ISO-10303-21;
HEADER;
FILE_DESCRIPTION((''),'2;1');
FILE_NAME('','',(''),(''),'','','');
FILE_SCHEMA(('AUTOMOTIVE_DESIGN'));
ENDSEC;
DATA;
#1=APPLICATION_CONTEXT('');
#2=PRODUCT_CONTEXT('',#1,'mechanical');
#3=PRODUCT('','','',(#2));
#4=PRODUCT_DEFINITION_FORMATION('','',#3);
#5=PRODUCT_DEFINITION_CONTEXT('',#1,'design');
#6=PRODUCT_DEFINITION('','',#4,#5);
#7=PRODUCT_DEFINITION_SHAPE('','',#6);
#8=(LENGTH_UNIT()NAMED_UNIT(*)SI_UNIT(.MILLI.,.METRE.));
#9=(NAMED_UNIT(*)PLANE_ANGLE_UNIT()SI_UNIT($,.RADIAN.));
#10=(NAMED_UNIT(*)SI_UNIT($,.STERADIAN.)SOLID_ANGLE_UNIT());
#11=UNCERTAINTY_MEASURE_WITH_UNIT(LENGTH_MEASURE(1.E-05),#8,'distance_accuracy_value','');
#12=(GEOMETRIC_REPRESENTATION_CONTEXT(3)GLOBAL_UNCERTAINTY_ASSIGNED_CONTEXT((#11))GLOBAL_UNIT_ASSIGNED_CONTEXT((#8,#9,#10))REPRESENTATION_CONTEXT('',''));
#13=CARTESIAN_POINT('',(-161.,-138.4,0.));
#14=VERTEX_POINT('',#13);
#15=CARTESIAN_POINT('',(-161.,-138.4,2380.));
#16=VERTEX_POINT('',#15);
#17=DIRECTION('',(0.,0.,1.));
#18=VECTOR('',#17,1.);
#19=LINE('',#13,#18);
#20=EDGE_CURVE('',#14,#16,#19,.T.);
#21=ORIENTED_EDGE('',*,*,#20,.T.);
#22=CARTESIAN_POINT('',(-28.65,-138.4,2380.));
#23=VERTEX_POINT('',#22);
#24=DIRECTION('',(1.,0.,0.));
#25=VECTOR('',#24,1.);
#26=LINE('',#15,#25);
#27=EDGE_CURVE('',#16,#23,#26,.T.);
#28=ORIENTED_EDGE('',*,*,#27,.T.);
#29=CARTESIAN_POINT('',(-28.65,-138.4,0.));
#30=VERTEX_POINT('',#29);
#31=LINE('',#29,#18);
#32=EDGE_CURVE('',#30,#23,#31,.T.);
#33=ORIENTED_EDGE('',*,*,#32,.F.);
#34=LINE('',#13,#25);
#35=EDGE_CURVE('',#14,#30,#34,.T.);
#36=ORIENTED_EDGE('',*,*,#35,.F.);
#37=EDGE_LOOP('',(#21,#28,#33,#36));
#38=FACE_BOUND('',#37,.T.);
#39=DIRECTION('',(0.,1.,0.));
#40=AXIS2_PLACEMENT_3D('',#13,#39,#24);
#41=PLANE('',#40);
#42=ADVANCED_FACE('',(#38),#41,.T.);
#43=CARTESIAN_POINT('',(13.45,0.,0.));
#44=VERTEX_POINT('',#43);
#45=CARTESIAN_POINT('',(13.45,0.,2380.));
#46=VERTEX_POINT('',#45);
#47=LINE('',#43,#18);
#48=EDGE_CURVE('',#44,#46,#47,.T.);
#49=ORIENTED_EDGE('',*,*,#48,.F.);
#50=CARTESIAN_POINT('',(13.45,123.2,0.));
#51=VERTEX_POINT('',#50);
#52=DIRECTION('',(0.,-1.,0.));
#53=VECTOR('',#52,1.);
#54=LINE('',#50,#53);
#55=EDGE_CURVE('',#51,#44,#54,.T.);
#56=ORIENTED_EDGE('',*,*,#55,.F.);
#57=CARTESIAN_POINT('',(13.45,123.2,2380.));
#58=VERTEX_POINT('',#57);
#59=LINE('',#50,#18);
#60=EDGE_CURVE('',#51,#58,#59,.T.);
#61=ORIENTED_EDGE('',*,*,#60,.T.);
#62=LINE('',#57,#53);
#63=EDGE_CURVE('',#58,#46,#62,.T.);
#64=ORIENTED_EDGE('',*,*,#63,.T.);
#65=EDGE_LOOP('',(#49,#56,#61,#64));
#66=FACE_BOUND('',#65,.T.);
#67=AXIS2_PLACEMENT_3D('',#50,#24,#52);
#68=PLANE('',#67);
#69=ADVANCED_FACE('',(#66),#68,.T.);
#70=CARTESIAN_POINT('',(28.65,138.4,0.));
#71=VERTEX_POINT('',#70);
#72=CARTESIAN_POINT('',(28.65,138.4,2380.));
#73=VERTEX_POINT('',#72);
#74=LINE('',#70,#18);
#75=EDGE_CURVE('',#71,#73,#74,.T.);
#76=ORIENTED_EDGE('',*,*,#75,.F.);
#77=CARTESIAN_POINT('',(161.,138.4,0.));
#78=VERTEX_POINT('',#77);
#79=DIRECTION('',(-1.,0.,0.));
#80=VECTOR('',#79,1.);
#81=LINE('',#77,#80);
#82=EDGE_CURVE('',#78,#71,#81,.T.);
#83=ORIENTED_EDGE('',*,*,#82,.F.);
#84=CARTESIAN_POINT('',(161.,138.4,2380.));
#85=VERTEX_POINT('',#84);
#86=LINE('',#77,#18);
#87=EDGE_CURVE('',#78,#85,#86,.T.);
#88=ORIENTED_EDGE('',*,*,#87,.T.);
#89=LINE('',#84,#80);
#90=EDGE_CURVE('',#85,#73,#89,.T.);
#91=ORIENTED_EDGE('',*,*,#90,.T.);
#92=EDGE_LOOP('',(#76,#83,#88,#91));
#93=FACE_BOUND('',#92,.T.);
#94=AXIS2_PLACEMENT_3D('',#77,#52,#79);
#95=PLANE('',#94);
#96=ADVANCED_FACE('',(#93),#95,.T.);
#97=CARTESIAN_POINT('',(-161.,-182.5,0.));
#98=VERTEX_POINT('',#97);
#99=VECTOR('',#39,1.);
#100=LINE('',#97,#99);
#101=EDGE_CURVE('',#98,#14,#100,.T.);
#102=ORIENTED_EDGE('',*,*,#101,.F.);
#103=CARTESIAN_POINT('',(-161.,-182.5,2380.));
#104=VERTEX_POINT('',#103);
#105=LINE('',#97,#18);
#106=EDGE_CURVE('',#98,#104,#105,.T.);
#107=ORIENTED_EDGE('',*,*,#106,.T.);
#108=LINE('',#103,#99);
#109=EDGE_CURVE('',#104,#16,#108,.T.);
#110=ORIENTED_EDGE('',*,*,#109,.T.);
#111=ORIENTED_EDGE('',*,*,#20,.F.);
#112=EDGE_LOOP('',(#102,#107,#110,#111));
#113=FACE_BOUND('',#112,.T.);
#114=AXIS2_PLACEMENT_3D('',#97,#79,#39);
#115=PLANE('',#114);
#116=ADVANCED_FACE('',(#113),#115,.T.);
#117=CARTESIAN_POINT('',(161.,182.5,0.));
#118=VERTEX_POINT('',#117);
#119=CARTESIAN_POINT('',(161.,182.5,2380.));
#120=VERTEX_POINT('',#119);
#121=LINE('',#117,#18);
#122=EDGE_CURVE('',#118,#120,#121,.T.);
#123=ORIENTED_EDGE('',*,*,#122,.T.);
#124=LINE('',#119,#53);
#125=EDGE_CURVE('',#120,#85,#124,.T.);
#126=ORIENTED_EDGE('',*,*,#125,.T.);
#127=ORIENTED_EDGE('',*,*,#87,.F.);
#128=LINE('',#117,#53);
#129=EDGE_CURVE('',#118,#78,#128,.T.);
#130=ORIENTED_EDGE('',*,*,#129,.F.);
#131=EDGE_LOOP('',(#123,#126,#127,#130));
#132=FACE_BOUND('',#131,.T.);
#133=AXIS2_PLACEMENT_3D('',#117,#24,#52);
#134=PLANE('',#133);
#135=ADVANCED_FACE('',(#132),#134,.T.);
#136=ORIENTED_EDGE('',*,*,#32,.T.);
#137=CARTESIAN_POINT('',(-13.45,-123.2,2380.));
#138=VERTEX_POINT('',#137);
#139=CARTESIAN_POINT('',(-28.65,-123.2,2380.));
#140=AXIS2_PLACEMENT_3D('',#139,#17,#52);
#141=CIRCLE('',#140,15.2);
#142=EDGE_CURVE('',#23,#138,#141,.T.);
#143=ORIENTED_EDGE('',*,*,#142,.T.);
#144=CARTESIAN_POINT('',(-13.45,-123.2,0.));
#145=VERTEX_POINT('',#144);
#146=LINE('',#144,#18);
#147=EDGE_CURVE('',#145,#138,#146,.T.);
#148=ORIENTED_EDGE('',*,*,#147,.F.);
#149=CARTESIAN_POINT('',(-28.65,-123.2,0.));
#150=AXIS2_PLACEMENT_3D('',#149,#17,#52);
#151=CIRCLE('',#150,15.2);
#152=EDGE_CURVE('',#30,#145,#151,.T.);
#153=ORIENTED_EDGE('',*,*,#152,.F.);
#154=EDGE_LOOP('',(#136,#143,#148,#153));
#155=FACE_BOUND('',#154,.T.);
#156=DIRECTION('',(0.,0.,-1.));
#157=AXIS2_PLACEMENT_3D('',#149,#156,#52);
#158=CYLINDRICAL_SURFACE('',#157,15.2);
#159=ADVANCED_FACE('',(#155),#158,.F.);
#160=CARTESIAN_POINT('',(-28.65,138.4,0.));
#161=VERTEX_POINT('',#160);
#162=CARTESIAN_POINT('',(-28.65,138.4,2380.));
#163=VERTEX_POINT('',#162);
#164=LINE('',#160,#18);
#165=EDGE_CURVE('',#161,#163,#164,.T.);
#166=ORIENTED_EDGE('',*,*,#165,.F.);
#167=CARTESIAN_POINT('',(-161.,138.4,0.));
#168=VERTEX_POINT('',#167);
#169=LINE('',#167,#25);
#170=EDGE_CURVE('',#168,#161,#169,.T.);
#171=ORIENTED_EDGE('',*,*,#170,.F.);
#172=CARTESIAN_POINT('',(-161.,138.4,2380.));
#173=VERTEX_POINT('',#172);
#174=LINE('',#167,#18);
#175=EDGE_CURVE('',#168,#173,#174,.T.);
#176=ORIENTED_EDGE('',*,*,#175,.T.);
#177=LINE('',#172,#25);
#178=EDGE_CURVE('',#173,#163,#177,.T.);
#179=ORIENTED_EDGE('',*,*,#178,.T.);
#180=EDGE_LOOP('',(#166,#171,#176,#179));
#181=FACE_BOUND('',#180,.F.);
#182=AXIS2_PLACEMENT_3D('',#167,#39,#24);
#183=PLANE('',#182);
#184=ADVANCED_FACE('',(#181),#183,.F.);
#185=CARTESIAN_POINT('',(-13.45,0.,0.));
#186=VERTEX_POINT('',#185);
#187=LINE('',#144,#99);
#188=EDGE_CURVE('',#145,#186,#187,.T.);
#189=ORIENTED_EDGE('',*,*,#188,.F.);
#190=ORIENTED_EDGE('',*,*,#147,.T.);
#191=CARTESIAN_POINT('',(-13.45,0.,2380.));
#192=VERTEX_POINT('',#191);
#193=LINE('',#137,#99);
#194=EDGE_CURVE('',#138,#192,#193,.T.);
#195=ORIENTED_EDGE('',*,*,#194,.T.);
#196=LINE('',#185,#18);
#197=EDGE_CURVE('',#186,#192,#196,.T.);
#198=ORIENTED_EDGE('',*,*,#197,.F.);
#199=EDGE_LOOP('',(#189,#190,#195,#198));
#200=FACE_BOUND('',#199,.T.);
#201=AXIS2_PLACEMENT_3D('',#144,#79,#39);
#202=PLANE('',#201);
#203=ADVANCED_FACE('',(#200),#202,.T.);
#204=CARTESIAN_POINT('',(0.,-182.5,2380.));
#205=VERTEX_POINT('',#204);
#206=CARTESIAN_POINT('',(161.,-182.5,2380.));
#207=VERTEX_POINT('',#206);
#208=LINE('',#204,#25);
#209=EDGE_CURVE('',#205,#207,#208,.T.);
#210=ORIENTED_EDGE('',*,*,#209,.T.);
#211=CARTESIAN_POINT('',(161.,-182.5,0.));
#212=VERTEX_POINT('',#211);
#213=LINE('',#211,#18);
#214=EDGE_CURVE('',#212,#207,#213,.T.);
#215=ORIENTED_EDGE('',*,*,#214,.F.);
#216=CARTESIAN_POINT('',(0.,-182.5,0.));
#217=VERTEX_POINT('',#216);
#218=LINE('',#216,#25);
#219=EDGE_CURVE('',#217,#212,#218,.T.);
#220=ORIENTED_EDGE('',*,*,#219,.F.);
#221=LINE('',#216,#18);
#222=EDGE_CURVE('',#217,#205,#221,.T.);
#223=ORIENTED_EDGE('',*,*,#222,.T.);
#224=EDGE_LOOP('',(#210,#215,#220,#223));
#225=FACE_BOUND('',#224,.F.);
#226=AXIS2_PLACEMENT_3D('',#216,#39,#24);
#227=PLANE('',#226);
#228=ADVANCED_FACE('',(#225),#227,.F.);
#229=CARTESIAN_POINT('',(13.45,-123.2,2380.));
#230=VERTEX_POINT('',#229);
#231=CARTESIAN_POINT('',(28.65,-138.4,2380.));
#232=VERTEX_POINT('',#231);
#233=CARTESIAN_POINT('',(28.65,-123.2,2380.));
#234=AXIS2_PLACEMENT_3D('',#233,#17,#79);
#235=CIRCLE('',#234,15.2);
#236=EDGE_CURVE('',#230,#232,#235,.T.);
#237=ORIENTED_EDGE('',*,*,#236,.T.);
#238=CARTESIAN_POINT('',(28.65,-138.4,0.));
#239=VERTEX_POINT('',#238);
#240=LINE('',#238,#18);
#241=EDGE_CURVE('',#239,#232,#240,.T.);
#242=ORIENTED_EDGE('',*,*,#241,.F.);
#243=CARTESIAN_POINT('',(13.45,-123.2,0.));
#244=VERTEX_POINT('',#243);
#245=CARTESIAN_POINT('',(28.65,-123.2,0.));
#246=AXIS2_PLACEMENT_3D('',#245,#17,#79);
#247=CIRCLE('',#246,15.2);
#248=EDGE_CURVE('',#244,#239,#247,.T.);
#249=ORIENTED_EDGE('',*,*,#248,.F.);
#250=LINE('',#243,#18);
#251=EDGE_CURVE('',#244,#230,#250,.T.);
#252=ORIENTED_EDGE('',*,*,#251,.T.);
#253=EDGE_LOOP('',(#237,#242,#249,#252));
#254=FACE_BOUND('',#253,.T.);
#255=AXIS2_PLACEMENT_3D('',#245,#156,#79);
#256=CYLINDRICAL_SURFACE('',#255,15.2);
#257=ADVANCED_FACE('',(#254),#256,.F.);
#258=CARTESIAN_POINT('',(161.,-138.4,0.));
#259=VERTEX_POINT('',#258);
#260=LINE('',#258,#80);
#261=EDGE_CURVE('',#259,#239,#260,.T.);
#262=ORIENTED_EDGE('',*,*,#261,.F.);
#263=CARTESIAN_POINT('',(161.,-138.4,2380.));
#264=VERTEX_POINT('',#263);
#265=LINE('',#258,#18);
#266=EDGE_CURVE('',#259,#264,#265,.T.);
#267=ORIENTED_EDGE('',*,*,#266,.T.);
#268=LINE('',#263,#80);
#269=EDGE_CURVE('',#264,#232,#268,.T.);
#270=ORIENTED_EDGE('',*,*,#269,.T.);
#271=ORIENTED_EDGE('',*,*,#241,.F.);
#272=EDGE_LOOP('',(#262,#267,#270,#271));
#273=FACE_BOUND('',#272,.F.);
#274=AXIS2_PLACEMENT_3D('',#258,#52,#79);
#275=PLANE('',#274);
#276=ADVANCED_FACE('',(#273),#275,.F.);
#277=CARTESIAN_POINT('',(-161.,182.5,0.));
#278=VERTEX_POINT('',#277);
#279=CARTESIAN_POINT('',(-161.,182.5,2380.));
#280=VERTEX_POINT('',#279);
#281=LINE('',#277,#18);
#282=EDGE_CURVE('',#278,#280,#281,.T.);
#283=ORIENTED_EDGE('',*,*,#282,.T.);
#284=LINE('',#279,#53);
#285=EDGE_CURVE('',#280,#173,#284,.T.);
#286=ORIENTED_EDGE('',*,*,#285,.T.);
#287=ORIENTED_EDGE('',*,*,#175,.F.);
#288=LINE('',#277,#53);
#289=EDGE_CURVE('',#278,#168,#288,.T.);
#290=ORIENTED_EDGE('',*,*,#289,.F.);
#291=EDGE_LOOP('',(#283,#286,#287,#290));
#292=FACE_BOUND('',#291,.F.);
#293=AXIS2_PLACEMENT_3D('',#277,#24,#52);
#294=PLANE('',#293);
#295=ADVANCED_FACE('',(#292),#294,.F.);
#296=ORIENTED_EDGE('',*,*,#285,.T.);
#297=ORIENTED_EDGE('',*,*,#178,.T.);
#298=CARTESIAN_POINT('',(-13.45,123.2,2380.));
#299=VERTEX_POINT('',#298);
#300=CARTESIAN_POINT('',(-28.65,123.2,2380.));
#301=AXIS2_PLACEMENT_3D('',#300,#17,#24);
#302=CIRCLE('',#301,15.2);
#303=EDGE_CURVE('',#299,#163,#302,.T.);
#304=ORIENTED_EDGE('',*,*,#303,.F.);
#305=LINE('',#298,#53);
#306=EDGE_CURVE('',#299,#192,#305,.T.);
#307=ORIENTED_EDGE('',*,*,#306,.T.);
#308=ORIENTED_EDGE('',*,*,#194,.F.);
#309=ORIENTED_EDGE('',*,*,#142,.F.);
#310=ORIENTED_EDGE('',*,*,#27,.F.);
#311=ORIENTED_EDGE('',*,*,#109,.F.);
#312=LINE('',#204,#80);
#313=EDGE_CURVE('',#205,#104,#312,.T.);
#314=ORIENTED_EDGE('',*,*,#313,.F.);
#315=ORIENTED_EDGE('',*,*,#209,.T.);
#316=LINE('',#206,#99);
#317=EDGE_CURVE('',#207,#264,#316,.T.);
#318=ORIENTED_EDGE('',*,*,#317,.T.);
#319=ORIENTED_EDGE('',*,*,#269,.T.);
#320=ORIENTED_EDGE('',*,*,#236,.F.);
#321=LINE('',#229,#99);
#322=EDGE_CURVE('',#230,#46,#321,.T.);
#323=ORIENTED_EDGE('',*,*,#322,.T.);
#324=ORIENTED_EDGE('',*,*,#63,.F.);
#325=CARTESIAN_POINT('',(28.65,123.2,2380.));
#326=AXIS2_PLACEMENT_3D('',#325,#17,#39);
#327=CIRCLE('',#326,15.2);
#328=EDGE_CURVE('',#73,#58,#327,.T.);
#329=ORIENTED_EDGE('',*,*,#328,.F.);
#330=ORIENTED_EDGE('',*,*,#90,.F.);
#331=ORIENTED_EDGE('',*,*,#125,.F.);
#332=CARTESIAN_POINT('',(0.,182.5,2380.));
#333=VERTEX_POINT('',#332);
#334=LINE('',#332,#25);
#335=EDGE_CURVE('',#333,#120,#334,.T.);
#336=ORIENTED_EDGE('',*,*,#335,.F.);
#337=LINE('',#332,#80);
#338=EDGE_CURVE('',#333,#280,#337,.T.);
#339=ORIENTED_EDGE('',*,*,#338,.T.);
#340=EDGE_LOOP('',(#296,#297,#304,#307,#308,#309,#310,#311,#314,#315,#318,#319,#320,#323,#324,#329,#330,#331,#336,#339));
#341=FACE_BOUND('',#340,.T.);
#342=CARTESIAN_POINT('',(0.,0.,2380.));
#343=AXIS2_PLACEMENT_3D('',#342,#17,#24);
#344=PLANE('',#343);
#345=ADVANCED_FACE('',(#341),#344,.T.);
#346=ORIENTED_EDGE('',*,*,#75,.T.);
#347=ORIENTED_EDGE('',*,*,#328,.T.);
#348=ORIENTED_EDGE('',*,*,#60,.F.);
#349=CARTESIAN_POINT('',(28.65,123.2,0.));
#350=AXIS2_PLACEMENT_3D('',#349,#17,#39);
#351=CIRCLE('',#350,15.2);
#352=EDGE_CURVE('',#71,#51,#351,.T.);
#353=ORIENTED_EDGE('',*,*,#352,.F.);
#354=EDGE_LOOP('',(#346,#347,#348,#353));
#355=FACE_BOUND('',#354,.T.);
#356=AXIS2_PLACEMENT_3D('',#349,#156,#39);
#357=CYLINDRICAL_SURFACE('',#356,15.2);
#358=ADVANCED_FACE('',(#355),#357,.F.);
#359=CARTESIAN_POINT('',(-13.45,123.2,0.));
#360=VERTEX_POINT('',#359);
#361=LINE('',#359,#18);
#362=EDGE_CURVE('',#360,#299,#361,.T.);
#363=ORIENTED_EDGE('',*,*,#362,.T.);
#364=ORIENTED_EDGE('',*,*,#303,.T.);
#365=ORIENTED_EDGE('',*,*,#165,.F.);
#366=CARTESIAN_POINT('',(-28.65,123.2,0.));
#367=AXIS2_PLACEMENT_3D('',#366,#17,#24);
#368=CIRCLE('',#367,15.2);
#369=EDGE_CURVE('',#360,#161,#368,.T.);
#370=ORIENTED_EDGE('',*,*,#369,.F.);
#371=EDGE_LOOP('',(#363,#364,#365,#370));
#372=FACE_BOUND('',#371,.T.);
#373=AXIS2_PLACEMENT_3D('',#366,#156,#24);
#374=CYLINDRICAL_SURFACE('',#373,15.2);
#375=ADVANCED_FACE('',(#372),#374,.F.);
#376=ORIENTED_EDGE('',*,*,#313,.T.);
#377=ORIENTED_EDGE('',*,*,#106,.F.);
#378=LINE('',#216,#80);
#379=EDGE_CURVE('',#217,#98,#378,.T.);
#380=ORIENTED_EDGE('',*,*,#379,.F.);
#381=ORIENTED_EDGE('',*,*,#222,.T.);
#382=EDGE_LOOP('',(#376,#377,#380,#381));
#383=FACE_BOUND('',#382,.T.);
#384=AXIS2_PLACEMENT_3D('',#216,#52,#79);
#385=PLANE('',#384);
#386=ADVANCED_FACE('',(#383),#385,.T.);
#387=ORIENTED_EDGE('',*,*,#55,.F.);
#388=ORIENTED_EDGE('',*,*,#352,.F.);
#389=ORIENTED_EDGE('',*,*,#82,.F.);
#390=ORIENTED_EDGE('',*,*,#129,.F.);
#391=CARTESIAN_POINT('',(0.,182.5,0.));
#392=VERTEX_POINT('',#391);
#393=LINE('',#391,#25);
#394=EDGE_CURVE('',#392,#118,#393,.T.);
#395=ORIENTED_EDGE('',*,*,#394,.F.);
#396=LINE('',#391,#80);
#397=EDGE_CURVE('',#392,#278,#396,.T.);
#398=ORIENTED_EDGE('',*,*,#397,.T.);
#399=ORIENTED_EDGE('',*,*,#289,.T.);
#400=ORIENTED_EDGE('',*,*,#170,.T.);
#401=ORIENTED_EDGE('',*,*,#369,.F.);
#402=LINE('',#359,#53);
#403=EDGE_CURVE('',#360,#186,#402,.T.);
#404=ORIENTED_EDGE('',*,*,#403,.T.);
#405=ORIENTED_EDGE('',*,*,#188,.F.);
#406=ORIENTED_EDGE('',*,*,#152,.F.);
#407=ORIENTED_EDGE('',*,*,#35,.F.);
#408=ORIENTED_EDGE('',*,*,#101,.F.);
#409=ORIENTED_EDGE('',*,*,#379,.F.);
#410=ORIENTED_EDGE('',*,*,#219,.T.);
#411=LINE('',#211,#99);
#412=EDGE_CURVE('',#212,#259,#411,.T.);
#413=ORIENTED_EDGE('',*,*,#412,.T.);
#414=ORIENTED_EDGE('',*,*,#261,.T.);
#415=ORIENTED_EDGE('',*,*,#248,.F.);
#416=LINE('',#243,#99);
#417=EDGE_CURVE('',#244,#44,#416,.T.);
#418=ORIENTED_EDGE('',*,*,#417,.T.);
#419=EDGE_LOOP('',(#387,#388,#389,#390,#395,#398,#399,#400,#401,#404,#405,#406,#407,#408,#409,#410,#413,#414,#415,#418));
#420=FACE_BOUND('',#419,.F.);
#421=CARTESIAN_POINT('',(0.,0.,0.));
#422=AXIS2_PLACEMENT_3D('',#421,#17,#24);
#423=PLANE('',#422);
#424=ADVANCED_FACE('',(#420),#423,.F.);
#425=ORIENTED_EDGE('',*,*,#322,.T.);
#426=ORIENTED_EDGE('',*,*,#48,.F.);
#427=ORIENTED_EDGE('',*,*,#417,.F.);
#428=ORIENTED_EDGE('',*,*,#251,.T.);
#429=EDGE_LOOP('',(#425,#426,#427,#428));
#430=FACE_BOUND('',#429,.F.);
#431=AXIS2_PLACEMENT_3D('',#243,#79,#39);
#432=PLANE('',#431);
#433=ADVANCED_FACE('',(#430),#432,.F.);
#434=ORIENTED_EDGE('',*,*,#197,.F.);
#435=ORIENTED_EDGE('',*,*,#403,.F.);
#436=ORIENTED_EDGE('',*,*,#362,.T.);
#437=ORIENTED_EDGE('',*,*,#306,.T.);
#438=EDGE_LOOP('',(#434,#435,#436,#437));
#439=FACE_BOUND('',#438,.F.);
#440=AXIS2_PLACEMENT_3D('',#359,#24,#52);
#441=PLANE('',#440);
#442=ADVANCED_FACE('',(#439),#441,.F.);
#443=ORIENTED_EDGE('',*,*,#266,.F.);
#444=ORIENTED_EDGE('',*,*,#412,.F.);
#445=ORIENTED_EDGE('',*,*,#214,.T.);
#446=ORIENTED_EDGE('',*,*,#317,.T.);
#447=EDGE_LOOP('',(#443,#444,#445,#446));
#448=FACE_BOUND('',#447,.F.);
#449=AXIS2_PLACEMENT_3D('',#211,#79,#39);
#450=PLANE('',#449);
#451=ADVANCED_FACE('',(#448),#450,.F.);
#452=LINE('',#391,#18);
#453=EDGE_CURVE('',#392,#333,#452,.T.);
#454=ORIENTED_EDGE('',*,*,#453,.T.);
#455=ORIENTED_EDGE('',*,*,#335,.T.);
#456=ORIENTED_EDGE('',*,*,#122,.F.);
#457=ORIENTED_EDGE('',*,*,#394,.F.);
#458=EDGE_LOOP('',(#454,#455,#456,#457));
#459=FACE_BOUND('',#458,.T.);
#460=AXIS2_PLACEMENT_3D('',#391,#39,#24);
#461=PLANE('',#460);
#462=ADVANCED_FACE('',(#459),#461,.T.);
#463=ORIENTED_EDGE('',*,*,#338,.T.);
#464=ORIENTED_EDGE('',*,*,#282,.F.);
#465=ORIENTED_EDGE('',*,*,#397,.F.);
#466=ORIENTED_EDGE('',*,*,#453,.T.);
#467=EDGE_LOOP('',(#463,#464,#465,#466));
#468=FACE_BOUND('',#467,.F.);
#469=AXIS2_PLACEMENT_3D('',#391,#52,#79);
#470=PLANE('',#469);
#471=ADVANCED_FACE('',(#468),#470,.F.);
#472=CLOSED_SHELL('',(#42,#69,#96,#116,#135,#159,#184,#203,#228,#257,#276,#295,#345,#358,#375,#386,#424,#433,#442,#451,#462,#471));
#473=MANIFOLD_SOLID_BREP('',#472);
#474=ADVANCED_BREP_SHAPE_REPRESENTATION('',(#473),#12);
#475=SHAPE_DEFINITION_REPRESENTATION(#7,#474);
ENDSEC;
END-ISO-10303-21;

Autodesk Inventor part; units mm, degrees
ref_plane "YZ Plane" through (0, 0, 0) normal (1, 0, 0) x (0, 1, 0)
ref_plane "Start plane" through (0, 0, 0) normal (0, 0, 1) x (1, 0, 0)
ref_plane "End plane" through (0, 0, 2380) normal (0, 0, 1) x (1, 0, 0)
sketch "Sketch" plane through (0, 0, 0) normal (0, 0, 1) x (1, 0, 0)
  line L0 (-161, -182.5) -> (-161, -138.4)
  line L1 (-161, -138.4) -> (-28.65, -138.4)
  line L2 (-13.45, -123.2) -> (-13.45, 0)
  line L3 (-13.45, 0) -> (0, 0) construction
  line L4 (0, 0) -> (0, -182.5) construction
  line L5 (0, -182.5) -> (-161, -182.5)
  line L6 (-60, 0) -> (80, 0) construction
  line L7 (0, -60) -> (0, 80) construction
  line L8 (161, -182.5) -> (161, -138.4)
  line L9 (161, -138.4) -> (28.65, -138.4)
  line L10 (13.45, -123.2) -> (13.45, 0)
  line L11 (13.45, 0) -> (0, 0) construction
  line L12 (0, -182.5) -> (161, -182.5)
  line L13 (-161, 182.5) -> (-161, 138.4)
  line L14 (-161, 138.4) -> (-28.65, 138.4)
  line L15 (-13.45, 123.2) -> (-13.45, 0)
  line L16 (0, 182.5) -> (-161, 182.5)
  line L17 (161, 182.5) -> (161, 138.4)
  line L18 (161, 138.4) -> (28.65, 138.4)
  line L19 (0, 182.5) -> (161, 182.5)
  line L20 (13.45, 123.2) -> (13.45, 0)
  arc A0 (-13.45, 123.2) -> (-28.65, 138.4) centre (-28.65, 123.2) ccw
  arc A1 (28.65, 138.4) -> (13.45, 123.2) centre (28.65, 123.2) ccw
  arc A2 (13.45, -123.2) -> (28.65, -138.4) centre (28.65, -123.2) ccw
  arc A3 (-28.65, -138.4) -> (-13.45, -123.2) centre (-28.65, -123.2) ccw
  line L21 (0, 108) -> (0, -88) construction
  line L22 (-88, 0) -> (108, 0) construction
  point P0 (-13.45, -138.4)
  point P1 (13.45, -138.4)
  point P2 (-13.45, 138.4)
  point P3 (13.45, 138.4)
  dimension "d1" = 182.5
  dimension "d2" = 44.1
  dimension "d3" = 161
  dimension "d4" = 13.45
  dimension "d10" = 15.2
extrude "Body" add sketch "Sketch" along normal up to surface (2380 mm away) from surface at 0
sketch "Sketch4" plane through (0, 0, 0) normal (0, 0, 1) x (1, 0, 0)
  line L0 (0, 0) -> (10, 0)
ref_plane "Work Plane3" through (0, 0, 0) normal (0, -1, 0) x (1, 0, 0)
sketch "Sketch5" plane through (0, 0, 0) normal (0, -1, 0) x (1, 0, 0)
  line L0 (-2, 0) -> (12, 0) projected
  line L1 (-2, 2380) -> (12, 2380) projected
  dimension "d14" = 2380
equation "\"d1\" = 0.5 * G_H"
equation "\"d2\" = G_T1"
equation "\"d3\" = 0.5 * G_W"
equation "\"d4\" = 0.5 * G_T"
equation "\"d10\" = G_IR"
equation "\"d5\" = G_L"
equation "\"G_W\" = 322"
equation "\"G_H\" = 365"
equation "\"G_T\" = 26.9"
equation "\"G_T1\" = 44.1"
equation "\"G_IR\" = 15.2"
equation "\"G_L\" = d14"
equation "\"G_OFFSET_START\" = 0"
equation "\"G_OFFSET_END\" = 0"
properties part number "AS 3679 - 310 UC - 283 - 2380" material "Steel, Mild"
